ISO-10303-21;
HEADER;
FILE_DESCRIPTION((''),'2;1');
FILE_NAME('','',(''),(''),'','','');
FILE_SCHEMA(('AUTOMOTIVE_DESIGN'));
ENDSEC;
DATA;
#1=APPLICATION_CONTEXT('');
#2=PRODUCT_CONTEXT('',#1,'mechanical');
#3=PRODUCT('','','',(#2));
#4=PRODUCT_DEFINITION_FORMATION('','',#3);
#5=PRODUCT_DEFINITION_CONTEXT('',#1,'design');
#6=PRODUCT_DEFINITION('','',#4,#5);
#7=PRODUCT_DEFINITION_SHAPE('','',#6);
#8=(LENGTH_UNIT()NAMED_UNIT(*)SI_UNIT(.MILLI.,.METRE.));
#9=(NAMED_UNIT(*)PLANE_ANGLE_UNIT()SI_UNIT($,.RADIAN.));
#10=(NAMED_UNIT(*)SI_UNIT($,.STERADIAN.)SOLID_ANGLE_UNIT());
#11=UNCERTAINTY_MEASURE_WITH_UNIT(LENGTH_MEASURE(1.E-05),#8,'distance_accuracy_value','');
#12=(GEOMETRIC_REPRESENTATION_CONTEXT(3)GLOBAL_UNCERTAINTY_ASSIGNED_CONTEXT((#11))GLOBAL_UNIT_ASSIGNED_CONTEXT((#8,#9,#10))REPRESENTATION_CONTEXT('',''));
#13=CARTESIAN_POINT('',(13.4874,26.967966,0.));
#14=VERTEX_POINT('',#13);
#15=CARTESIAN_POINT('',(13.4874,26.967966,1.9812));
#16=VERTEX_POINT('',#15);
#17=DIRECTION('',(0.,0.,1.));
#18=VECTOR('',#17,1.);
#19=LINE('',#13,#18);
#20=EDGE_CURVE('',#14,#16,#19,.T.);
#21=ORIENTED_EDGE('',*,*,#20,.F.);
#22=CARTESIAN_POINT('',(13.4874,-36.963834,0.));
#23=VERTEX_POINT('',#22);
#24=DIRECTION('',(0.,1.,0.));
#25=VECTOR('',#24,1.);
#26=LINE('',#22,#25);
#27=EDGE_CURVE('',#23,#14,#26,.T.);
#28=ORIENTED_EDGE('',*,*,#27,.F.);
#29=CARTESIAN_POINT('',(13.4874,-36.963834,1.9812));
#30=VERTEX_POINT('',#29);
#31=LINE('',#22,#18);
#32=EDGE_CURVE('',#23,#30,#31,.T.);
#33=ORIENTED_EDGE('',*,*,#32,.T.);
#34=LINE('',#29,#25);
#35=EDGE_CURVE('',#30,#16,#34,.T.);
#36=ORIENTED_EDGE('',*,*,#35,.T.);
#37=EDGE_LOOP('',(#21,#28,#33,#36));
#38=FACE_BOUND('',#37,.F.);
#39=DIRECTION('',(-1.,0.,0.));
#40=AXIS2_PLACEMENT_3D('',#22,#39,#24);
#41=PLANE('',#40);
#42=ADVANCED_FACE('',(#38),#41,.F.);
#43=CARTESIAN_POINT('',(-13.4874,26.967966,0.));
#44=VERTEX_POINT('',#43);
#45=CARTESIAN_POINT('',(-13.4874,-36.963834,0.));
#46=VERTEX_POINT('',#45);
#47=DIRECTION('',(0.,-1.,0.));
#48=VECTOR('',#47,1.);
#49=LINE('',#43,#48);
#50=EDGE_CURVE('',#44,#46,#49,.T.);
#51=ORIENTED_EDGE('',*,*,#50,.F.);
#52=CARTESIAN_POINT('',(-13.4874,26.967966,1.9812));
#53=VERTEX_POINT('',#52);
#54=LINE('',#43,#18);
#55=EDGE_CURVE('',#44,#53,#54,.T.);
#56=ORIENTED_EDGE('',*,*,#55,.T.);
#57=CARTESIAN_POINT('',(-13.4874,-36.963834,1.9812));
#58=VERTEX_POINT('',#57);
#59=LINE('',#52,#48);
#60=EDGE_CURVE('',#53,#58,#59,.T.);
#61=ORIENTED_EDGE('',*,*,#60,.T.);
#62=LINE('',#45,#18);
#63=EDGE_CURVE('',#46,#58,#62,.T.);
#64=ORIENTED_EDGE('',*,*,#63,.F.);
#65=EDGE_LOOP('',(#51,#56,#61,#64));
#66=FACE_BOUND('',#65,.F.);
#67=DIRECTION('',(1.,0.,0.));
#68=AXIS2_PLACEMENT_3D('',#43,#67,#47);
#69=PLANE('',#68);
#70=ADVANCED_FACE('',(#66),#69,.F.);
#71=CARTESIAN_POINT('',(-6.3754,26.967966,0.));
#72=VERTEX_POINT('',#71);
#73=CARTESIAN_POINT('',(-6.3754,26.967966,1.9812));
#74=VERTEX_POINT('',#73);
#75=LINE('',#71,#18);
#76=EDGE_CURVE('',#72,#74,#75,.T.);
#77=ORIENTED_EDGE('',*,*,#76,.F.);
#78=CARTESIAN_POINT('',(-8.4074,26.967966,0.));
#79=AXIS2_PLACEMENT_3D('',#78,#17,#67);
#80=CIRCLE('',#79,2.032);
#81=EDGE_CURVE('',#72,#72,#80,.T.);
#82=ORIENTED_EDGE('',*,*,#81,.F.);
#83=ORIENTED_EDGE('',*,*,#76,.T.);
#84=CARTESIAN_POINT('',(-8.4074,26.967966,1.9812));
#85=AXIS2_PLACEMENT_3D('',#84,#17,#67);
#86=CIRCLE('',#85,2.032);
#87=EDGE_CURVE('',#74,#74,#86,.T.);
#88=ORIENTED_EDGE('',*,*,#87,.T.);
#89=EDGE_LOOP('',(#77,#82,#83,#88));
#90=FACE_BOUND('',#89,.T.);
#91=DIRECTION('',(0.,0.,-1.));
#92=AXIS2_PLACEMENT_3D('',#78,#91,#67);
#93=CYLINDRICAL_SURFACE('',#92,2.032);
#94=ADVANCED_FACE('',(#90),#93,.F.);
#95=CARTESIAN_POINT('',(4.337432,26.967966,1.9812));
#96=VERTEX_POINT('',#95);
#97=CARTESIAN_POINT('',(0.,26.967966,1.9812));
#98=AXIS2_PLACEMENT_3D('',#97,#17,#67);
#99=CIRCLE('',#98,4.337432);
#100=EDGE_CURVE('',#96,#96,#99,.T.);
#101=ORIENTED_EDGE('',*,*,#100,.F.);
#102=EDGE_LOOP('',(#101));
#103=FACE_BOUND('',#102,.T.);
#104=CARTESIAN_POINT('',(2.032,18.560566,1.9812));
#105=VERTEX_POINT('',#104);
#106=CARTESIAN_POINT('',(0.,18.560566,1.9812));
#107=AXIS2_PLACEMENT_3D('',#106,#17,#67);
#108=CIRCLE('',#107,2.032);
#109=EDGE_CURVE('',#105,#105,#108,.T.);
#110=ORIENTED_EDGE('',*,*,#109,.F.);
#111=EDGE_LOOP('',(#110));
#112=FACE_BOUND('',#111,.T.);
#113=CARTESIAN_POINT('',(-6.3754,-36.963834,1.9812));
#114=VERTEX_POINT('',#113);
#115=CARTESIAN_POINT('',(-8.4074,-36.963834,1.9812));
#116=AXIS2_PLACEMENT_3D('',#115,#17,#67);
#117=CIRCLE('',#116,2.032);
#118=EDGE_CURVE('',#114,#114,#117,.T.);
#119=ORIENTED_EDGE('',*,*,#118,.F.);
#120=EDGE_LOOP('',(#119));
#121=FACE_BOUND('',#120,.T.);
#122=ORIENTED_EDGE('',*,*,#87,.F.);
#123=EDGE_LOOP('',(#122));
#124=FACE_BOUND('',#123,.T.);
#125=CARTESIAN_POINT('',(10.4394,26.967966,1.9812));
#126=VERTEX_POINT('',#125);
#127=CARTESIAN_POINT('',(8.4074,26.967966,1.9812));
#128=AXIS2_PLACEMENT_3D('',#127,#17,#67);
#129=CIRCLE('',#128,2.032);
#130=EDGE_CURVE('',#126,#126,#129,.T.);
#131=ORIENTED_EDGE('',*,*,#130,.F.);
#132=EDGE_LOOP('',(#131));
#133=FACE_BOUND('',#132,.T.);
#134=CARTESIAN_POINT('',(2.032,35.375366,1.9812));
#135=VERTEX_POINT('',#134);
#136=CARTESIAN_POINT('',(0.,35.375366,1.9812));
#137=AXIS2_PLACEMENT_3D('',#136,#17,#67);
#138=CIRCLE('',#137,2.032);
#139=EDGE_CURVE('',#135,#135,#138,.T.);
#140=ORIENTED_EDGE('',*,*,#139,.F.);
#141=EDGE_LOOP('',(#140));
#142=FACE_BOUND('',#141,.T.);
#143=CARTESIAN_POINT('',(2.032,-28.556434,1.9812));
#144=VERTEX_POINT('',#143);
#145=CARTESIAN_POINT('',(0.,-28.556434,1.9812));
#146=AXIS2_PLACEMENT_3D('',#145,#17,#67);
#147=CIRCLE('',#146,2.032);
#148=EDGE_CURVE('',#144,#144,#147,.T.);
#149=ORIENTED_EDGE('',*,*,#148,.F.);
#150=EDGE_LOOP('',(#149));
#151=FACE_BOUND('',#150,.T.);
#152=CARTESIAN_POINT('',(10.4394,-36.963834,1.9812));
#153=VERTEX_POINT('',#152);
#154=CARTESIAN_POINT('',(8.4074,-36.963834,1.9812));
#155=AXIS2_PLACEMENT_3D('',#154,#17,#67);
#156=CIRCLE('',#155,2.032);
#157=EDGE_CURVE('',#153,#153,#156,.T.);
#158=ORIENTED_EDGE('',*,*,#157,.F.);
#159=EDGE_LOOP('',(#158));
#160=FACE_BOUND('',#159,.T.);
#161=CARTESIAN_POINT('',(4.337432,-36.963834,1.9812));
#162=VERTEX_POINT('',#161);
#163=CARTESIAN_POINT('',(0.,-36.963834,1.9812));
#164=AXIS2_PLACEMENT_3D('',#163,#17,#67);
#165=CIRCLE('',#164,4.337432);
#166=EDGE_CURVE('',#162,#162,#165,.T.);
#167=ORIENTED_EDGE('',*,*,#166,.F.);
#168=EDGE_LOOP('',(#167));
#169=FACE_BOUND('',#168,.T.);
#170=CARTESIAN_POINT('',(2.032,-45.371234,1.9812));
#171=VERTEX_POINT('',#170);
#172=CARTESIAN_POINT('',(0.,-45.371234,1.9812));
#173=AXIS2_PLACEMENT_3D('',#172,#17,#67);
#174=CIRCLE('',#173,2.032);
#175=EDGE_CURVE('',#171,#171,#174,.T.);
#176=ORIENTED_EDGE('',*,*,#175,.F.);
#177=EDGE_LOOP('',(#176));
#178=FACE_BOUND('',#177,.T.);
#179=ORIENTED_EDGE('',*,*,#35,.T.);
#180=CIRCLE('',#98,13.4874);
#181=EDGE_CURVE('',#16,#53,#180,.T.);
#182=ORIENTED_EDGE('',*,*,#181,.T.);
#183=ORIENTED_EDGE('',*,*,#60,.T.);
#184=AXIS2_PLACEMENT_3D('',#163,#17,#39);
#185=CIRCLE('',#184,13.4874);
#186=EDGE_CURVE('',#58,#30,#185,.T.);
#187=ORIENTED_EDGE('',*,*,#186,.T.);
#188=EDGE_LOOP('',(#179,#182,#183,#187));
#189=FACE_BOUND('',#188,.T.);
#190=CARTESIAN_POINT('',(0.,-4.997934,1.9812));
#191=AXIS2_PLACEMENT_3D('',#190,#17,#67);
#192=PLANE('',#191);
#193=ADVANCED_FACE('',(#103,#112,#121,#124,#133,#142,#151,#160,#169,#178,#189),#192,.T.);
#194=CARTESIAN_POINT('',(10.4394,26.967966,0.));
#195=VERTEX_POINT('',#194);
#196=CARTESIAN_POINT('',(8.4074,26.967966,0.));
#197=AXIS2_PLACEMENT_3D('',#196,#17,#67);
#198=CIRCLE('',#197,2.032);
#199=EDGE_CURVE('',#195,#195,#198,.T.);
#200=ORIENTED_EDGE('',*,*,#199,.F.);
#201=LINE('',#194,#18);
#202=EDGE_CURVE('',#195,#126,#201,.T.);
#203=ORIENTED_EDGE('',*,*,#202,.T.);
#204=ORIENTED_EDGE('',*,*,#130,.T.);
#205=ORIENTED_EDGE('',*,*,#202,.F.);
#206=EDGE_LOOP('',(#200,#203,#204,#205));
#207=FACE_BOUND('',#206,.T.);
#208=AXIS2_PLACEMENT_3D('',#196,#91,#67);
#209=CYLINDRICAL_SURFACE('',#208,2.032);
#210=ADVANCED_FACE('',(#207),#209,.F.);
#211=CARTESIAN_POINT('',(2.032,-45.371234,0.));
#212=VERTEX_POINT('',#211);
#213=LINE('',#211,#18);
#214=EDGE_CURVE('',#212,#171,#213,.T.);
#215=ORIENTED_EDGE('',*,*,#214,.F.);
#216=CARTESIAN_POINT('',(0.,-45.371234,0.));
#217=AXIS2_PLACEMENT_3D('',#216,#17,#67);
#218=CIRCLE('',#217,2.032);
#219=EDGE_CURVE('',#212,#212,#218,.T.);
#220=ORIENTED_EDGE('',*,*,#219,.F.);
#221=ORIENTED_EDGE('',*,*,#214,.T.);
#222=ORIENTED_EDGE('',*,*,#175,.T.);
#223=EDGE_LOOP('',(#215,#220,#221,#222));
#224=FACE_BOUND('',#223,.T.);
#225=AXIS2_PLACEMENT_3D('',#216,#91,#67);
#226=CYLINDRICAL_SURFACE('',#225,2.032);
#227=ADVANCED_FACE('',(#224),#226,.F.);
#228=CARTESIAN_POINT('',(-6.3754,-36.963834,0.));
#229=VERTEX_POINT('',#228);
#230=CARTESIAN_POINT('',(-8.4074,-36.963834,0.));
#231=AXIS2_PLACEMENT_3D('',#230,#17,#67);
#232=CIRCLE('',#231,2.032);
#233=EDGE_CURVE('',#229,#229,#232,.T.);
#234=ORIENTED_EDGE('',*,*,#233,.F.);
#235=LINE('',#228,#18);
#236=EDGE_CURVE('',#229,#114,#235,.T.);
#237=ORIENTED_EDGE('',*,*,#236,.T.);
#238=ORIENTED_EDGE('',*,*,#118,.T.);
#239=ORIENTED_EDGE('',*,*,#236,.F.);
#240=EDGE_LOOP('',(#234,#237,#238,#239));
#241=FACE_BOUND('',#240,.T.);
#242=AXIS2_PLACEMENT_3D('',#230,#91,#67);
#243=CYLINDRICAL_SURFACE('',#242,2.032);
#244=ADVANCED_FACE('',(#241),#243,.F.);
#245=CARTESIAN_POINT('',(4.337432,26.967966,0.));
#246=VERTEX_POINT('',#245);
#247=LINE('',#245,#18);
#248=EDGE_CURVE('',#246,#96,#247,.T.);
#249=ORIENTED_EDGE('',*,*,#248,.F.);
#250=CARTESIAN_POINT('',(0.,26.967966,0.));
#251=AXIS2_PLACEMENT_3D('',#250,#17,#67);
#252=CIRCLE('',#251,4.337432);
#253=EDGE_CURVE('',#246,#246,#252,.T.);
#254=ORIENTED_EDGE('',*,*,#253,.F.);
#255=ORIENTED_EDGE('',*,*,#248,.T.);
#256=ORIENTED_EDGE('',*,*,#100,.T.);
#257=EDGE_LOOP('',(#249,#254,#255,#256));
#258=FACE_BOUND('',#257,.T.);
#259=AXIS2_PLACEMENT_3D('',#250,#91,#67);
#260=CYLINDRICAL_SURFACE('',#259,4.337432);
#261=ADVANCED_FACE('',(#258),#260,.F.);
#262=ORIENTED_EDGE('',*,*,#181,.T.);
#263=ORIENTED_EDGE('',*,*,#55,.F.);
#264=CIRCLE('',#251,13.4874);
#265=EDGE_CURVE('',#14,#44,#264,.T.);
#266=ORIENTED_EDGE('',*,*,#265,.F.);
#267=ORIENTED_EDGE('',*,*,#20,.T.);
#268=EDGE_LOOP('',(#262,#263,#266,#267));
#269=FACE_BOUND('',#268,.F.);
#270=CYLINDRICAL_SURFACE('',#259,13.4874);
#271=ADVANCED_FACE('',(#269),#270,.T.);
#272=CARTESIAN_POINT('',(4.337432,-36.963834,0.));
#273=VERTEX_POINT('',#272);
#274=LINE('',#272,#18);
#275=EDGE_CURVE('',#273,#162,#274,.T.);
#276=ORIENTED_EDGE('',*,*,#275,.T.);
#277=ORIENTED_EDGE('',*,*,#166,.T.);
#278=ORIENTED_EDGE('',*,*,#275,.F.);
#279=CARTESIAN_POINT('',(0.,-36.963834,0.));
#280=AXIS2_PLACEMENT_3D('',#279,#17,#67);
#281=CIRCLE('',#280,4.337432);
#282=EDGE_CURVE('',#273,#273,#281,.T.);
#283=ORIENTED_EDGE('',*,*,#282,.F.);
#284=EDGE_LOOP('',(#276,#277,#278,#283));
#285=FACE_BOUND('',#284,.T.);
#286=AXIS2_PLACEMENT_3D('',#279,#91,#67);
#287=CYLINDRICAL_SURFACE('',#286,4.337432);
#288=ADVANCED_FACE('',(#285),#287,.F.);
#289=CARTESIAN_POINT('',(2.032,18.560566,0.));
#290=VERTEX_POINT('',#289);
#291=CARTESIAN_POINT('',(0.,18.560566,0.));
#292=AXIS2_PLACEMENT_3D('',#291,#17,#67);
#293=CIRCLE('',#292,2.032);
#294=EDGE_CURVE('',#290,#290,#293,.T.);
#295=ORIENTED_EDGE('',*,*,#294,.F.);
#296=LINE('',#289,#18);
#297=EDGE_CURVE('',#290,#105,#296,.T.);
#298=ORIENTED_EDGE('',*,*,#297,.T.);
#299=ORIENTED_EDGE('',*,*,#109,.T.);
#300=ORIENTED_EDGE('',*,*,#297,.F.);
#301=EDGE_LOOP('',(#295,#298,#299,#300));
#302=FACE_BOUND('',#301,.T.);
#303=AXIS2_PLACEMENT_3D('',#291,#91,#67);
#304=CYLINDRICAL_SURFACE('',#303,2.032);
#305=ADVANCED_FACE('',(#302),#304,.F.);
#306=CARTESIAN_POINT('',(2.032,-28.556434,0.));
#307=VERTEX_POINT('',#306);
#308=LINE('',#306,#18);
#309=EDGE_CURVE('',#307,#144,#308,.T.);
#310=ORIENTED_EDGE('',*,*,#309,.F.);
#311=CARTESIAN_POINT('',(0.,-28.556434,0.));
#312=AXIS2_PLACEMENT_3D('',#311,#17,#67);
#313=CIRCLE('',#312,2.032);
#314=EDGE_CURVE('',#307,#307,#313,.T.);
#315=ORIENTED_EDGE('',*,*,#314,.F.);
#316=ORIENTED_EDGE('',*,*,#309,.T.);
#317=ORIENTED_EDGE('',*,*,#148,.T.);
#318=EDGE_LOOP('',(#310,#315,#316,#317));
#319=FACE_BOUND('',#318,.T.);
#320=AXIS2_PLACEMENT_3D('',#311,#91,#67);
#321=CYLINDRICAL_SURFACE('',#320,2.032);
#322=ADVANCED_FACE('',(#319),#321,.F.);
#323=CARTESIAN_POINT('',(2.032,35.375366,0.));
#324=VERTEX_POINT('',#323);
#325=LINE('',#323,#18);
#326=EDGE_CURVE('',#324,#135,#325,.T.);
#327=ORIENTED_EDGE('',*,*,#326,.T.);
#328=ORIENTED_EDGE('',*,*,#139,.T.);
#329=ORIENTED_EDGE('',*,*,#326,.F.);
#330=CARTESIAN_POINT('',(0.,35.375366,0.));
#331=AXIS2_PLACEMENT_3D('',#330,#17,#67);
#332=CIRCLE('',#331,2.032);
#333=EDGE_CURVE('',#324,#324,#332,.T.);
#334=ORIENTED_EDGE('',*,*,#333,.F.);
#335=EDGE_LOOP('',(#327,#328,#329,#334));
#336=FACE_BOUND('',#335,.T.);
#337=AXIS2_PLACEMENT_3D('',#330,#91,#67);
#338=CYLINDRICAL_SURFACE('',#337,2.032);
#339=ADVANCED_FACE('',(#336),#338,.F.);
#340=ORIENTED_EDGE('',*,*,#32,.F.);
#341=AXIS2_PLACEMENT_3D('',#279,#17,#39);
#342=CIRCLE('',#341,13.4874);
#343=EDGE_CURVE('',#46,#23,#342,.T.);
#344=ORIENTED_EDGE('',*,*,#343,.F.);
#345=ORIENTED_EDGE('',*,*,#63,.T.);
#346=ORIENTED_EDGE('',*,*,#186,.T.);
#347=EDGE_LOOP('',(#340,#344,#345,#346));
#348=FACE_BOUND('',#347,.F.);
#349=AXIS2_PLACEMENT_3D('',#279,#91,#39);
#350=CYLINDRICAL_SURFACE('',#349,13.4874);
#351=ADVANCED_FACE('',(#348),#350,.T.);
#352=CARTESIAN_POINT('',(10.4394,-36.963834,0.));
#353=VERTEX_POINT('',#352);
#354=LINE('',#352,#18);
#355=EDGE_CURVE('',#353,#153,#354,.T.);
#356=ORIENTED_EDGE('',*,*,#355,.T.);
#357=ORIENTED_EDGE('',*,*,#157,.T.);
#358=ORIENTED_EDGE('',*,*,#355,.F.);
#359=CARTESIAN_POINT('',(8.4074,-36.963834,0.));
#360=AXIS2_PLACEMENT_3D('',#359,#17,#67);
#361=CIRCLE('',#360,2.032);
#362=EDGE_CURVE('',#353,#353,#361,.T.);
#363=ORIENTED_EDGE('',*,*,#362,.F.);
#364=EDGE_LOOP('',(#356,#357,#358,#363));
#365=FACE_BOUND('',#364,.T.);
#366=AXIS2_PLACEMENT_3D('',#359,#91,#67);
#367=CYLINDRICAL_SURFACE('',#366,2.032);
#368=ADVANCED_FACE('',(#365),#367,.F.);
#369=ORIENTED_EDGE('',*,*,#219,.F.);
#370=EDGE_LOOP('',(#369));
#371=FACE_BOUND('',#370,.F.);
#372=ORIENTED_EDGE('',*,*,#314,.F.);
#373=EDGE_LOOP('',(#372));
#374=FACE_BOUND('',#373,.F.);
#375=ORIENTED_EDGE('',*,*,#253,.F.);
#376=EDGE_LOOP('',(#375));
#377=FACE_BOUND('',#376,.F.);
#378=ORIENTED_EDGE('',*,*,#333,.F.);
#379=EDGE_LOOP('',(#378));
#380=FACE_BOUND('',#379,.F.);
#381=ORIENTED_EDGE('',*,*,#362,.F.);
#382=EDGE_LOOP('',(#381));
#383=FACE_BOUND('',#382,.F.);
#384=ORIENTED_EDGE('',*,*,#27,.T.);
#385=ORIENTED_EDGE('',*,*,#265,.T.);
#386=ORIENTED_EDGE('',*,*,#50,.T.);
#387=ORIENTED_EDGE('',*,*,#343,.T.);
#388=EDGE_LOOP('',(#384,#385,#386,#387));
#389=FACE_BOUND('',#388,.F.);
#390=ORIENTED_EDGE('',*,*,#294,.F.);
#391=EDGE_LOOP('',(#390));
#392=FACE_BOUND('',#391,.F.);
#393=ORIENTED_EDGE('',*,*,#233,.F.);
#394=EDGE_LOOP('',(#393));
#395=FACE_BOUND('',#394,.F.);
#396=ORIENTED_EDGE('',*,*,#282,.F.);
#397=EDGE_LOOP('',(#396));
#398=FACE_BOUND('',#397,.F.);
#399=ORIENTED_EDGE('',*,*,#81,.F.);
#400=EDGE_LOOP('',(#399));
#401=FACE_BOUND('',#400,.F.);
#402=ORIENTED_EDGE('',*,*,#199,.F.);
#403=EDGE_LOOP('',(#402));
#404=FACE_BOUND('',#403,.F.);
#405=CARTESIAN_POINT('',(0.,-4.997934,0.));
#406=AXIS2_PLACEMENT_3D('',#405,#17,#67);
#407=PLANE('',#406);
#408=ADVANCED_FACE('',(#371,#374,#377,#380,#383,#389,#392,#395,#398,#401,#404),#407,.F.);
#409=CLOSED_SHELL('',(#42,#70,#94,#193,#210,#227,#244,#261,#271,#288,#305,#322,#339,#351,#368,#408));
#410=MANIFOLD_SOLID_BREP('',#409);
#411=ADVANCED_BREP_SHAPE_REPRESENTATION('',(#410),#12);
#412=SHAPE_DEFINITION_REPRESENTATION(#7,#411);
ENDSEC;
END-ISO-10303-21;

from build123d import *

# Parameters (mm, degrees)
F0_R     = 2.032
F0_R_2   = 4.337432
F1_DEPTH = 1.9812


with BuildPart() as f1:
    # F0 (on Top) → F1 (new body)
    with BuildSketch(Plane.XY):
        with BuildLine():
            Line((13.4874, -36.963834), (13.4874, 26.967966))
            ThreePointArc((13.4874, 26.967966), (0, 40.455366), (-13.4874, 26.967966))
            Line((-13.4874, 26.967966), (-13.4874, -36.963834))
            ThreePointArc((-13.4874, -36.963834), (0, -50.451234), (13.4874, -36.963834))
        make_face()
        with Locations((-8.4074, -36.963834)):
            Circle(F0_R, mode=Mode.SUBTRACT)
        with Locations((0, -45.371234)):
            Circle(F0_R, mode=Mode.SUBTRACT)
        with Locations((0, -36.963834)):
            Circle(F0_R_2, mode=Mode.SUBTRACT)
        with Locations((0, -28.556434)):
            Circle(F0_R, mode=Mode.SUBTRACT)
        with Locations((8.4074, -36.963834)):
            Circle(F0_R, mode=Mode.SUBTRACT)
        with Locations((-8.4074, 26.967966)):
            Circle(F0_R, mode=Mode.SUBTRACT)
        with Locations((0, 18.560566)):
            Circle(F0_R, mode=Mode.SUBTRACT)
        with Locations((0, 26.967966)):
            Circle(F0_R_2, mode=Mode.SUBTRACT)
        with Locations((0, 35.375366)):
            Circle(F0_R, mode=Mode.SUBTRACT)
        with Locations((8.4074, 26.967966)):
            Circle(F0_R, mode=Mode.SUBTRACT)
    extrude(amount=F1_DEPTH)


solid = f1.part
